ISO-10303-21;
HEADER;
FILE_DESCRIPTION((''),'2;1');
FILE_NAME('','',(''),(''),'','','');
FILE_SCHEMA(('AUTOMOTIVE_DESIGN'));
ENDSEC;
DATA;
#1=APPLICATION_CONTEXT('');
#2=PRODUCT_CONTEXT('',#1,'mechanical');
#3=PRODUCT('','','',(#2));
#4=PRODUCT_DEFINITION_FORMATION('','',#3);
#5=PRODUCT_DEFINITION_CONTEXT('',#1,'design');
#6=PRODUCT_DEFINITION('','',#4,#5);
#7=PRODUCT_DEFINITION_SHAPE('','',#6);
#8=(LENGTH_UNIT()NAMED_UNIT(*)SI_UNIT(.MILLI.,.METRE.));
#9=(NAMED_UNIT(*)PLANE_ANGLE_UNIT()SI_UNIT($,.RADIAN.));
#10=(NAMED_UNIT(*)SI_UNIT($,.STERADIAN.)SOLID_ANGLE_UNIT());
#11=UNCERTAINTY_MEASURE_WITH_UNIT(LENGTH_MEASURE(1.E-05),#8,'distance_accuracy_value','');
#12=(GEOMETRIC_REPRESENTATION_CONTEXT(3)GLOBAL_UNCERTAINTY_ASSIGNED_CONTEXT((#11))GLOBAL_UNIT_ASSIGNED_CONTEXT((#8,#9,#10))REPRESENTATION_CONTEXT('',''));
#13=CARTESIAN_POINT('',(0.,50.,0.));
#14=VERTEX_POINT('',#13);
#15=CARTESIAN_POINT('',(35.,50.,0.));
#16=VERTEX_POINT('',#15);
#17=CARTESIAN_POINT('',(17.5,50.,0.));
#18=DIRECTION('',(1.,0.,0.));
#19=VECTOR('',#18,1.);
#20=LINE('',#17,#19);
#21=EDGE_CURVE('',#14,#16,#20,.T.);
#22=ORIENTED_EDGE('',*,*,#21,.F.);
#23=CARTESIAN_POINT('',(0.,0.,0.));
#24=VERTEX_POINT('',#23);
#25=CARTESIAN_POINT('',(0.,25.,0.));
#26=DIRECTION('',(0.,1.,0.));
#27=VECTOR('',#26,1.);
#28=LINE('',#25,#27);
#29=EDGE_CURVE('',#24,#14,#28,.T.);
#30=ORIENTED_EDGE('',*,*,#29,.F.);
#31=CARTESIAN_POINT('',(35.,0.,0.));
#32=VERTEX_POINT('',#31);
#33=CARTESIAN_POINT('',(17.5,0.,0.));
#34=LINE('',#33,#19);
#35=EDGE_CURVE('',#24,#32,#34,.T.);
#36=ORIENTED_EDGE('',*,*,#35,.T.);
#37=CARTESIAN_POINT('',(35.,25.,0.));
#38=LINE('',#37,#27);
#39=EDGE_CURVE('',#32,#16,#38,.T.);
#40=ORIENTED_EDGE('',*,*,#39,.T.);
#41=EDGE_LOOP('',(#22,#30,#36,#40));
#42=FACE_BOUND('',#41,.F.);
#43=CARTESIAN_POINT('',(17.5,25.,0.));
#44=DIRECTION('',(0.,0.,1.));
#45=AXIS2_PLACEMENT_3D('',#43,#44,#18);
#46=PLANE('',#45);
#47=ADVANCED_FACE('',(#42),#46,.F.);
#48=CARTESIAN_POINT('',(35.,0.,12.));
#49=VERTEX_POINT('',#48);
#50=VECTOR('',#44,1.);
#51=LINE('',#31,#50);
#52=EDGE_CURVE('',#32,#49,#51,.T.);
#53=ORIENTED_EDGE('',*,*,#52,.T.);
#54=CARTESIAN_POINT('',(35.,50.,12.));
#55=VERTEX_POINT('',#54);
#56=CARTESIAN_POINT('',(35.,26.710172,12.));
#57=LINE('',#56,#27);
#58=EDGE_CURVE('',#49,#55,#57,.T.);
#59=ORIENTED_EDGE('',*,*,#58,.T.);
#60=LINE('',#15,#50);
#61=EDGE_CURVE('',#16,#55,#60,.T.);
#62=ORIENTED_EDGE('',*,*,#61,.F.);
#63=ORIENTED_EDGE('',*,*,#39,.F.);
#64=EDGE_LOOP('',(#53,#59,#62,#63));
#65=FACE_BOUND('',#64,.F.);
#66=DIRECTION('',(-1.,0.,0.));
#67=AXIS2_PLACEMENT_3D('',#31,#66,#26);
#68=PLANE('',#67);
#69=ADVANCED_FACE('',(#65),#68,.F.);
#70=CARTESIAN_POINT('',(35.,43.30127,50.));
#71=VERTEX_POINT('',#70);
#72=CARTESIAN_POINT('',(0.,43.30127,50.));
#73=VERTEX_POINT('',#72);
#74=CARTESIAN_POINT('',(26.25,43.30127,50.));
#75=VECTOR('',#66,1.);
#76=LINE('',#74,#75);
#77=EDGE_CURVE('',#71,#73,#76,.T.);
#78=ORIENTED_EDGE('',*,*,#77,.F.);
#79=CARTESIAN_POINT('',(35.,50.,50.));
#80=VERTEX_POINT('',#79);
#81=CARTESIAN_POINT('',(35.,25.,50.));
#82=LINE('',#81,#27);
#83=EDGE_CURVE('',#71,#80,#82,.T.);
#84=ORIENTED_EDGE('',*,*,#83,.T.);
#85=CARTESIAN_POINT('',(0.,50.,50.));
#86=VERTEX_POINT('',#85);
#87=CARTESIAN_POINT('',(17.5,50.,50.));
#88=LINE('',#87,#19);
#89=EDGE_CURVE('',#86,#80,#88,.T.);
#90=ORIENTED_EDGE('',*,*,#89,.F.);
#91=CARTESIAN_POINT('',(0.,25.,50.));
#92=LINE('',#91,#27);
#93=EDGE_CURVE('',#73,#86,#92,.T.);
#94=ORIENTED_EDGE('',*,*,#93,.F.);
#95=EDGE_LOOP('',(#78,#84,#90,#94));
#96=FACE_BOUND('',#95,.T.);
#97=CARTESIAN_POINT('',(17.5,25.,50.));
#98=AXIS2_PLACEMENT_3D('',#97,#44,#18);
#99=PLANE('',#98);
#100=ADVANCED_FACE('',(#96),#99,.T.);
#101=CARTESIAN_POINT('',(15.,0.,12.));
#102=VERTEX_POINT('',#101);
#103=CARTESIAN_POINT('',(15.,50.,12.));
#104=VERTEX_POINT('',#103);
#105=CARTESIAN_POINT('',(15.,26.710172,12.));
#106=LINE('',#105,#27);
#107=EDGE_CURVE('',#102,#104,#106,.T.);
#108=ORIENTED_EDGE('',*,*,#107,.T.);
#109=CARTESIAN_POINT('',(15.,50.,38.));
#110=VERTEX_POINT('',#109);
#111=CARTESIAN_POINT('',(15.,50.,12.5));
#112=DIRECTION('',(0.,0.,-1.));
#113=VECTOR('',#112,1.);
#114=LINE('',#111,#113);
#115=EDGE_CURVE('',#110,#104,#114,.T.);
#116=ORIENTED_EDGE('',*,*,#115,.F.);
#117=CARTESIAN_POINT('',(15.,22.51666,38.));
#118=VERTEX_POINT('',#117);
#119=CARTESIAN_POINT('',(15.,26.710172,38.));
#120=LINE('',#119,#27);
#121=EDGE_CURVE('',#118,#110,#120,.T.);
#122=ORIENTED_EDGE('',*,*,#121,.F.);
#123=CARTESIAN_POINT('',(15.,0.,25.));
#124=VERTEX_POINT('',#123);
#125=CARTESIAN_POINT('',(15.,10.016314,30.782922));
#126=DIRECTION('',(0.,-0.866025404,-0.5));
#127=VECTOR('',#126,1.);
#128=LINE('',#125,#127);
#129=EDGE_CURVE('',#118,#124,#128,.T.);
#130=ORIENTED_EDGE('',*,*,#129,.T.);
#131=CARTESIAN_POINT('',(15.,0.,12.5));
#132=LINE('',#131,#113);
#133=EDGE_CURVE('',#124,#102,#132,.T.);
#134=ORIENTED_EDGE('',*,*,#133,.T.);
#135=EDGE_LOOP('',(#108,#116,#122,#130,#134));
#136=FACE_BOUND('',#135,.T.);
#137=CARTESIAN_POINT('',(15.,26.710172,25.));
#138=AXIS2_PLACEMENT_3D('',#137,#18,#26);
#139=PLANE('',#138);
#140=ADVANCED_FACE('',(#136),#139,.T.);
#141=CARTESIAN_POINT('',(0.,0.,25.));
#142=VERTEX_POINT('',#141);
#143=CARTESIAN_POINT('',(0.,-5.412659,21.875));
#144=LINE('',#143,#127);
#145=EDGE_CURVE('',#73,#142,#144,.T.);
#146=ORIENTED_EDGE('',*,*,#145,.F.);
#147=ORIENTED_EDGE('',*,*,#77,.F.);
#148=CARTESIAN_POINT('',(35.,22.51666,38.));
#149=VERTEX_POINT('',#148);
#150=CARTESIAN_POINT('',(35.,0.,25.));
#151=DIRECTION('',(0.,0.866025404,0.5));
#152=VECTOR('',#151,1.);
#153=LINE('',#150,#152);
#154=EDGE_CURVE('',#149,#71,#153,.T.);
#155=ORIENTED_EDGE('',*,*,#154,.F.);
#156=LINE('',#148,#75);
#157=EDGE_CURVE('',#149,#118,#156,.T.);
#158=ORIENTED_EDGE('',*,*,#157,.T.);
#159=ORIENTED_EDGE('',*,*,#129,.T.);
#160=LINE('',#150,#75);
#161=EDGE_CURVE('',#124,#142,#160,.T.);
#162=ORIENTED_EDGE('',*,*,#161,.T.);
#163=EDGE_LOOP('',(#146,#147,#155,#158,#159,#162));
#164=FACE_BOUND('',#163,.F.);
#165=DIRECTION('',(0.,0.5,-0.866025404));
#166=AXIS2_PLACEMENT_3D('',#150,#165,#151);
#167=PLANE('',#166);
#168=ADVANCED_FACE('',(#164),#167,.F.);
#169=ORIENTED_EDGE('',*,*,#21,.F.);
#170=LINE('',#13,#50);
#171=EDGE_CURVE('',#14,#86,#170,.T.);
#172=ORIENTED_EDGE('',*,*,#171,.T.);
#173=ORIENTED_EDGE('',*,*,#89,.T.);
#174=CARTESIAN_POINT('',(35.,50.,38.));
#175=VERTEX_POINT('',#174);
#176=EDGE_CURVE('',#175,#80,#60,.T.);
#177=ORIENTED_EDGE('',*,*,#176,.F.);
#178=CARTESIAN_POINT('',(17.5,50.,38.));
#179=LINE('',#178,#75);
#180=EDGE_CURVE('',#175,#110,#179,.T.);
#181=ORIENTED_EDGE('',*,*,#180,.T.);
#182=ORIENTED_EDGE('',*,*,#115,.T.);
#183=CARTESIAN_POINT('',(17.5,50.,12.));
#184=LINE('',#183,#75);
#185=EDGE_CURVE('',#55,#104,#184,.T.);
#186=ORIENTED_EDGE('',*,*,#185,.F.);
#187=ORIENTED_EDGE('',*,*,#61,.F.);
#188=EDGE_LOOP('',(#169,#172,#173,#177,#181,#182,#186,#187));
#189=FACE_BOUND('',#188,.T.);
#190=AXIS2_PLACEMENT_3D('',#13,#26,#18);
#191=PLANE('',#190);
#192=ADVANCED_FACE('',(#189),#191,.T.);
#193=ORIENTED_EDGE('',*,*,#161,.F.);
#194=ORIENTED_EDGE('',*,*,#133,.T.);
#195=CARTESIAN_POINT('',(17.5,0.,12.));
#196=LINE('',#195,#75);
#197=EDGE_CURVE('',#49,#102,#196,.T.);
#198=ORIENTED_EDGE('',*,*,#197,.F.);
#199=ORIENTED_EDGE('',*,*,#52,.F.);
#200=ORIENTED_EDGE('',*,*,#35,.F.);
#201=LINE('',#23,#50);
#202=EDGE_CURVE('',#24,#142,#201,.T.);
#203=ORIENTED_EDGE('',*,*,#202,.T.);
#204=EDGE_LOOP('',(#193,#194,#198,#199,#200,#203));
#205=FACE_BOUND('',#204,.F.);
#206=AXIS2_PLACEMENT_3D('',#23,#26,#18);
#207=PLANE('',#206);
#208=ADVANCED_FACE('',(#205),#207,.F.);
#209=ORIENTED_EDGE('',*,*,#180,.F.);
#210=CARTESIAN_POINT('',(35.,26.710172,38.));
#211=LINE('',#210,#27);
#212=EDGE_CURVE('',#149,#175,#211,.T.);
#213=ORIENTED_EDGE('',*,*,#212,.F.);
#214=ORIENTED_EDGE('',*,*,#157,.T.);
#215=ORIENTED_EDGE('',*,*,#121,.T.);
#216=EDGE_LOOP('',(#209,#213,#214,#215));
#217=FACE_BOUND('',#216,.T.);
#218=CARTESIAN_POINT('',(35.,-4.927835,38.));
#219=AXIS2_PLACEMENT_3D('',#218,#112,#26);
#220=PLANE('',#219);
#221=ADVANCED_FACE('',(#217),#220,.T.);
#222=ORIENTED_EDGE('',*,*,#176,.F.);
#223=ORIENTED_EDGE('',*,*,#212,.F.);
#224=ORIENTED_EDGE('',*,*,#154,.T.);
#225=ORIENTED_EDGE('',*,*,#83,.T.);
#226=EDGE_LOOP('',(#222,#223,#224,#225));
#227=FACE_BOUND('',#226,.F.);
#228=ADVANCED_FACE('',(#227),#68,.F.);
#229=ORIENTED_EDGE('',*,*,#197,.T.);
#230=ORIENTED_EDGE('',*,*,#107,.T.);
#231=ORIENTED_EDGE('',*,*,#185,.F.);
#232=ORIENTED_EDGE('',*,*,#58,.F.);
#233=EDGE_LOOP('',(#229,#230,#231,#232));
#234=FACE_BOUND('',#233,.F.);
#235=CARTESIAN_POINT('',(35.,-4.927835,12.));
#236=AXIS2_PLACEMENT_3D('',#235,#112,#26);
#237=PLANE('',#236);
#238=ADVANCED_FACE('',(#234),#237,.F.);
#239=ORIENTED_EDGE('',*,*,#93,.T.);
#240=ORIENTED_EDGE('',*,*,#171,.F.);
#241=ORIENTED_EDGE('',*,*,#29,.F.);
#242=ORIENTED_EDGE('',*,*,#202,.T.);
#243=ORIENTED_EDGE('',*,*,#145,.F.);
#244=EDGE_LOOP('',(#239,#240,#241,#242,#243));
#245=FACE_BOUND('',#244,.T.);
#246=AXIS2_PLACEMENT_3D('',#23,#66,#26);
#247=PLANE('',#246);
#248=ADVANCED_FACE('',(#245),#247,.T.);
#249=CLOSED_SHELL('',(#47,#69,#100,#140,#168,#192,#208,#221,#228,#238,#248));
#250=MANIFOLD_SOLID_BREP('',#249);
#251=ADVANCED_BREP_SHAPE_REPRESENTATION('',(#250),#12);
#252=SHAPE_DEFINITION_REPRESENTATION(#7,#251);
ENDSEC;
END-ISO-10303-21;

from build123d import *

# Parameters (mm, degrees)
BOX_W           = 35
BOX_H           = 50
BOX_DEPTH       = 50
POCKET_DEPTH    = 35.001
SKETCH001_W     = 63.276014
SKETCH001_H     = 26
POCKET001_DEPTH = 20


with BuildPart() as part:
    # Box → Box (new body)
    with BuildSketch(Plane.XY):
        with Locations((17.5, 25)):
            Rectangle(BOX_W, BOX_H)
    extrude(amount=BOX_DEPTH)

    # Sketch → Pocket (cut, through all)
    with BuildSketch(Plane.YZ.offset(35)):
        Polygon((0, 25), (48.387446, 52.936505), (0, 52.936505), align=None)
    extrude(amount=-POCKET_DEPTH, mode=Mode.SUBTRACT)

    # Sketch001 → Pocket001 (cut)
    with BuildSketch(Plane.YZ.offset(35)):
        with Locations((26.710172, 25)):
            Rectangle(SKETCH001_W, SKETCH001_H)
    extrude(amount=-POCKET001_DEPTH, mode=Mode.SUBTRACT)


solid = part.part
